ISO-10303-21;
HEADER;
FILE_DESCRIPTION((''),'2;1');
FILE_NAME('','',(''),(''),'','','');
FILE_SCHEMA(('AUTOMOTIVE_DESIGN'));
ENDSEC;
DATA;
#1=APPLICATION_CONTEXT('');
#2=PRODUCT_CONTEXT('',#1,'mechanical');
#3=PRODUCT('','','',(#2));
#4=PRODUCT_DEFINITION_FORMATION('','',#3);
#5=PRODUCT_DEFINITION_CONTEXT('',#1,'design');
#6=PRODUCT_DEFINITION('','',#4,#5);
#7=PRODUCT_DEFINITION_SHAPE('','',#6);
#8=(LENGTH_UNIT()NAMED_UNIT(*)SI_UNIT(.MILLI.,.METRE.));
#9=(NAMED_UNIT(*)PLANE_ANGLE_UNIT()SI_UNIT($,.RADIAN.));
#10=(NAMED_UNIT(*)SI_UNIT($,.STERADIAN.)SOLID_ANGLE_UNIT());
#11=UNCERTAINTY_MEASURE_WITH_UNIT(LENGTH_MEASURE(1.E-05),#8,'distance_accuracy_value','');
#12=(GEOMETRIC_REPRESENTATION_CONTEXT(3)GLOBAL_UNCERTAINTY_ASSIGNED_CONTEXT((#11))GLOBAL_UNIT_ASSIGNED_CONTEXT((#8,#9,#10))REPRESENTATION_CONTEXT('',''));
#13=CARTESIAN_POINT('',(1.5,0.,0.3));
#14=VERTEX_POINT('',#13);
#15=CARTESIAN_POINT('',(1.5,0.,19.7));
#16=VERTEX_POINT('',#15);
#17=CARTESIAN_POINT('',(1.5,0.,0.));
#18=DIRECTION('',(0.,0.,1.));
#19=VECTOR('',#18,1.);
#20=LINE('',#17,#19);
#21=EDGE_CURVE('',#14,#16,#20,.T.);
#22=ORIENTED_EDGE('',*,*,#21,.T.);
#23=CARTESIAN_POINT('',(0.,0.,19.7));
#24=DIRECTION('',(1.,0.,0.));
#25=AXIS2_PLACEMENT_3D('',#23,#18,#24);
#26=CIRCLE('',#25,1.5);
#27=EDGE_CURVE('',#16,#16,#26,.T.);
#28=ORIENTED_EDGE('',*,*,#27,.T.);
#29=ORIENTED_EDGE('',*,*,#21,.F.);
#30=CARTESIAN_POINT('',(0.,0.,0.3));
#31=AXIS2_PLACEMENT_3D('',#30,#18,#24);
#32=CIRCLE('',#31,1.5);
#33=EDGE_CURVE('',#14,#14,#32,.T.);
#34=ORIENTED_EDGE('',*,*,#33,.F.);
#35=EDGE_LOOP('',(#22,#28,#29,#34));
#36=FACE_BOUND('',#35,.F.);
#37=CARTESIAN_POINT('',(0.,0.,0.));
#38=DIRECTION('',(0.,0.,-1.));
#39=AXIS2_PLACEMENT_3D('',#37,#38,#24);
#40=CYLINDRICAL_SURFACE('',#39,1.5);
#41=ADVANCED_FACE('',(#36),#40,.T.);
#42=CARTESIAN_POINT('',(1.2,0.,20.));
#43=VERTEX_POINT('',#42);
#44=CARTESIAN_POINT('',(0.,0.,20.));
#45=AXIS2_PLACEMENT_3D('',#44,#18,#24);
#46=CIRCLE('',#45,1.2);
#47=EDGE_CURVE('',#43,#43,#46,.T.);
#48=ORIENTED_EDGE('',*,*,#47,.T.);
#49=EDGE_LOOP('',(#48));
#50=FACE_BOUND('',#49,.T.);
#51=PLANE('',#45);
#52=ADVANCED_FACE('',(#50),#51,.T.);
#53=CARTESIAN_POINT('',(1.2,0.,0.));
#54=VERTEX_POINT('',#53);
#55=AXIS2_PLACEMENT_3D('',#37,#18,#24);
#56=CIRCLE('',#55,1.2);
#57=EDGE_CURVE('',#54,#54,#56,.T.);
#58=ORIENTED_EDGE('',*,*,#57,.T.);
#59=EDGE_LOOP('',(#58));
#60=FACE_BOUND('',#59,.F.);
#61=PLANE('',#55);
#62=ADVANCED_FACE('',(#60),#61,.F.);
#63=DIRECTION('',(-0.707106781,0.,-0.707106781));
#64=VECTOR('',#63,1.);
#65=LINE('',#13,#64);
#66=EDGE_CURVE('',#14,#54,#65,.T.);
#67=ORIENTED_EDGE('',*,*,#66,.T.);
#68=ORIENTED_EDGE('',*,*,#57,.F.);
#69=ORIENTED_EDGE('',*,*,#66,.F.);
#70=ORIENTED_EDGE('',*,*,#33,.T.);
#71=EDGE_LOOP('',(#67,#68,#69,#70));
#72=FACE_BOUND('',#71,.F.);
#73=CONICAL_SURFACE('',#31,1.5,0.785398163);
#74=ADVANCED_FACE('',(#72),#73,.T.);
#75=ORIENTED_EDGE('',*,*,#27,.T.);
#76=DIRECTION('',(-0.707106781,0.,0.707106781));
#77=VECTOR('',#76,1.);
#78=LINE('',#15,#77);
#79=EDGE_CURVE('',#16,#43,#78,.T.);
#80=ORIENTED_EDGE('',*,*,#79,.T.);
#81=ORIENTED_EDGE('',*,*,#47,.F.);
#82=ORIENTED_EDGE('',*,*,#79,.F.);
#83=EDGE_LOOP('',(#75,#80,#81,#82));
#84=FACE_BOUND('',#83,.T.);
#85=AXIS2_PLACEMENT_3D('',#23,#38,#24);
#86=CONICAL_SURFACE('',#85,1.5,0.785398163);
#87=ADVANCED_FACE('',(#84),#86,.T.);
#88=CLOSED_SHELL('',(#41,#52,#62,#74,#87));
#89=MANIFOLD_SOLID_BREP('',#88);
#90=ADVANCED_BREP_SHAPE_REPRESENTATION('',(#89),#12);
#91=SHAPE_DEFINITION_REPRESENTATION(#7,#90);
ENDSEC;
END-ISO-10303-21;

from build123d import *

# Parameters (mm, degrees)
SKETCH_R     = 1.5
PAD_DEPTH    = 20
CHAMFER_SIZE = 0.3


with BuildPart() as part:
    # Sketch → Pad (new body)
    with BuildSketch(Plane.XY):
        Circle(SKETCH_R)
    extrude(amount=PAD_DEPTH)

    # Chamfer
    chamfer_edges = [part.edges().sort_by_distance(p)[0] for p in [
        (-1.5, 0, 20),
        (-1.5, 0, 0),
    ]]
    chamfer(chamfer_edges, length=CHAMFER_SIZE)


solid = part.part
